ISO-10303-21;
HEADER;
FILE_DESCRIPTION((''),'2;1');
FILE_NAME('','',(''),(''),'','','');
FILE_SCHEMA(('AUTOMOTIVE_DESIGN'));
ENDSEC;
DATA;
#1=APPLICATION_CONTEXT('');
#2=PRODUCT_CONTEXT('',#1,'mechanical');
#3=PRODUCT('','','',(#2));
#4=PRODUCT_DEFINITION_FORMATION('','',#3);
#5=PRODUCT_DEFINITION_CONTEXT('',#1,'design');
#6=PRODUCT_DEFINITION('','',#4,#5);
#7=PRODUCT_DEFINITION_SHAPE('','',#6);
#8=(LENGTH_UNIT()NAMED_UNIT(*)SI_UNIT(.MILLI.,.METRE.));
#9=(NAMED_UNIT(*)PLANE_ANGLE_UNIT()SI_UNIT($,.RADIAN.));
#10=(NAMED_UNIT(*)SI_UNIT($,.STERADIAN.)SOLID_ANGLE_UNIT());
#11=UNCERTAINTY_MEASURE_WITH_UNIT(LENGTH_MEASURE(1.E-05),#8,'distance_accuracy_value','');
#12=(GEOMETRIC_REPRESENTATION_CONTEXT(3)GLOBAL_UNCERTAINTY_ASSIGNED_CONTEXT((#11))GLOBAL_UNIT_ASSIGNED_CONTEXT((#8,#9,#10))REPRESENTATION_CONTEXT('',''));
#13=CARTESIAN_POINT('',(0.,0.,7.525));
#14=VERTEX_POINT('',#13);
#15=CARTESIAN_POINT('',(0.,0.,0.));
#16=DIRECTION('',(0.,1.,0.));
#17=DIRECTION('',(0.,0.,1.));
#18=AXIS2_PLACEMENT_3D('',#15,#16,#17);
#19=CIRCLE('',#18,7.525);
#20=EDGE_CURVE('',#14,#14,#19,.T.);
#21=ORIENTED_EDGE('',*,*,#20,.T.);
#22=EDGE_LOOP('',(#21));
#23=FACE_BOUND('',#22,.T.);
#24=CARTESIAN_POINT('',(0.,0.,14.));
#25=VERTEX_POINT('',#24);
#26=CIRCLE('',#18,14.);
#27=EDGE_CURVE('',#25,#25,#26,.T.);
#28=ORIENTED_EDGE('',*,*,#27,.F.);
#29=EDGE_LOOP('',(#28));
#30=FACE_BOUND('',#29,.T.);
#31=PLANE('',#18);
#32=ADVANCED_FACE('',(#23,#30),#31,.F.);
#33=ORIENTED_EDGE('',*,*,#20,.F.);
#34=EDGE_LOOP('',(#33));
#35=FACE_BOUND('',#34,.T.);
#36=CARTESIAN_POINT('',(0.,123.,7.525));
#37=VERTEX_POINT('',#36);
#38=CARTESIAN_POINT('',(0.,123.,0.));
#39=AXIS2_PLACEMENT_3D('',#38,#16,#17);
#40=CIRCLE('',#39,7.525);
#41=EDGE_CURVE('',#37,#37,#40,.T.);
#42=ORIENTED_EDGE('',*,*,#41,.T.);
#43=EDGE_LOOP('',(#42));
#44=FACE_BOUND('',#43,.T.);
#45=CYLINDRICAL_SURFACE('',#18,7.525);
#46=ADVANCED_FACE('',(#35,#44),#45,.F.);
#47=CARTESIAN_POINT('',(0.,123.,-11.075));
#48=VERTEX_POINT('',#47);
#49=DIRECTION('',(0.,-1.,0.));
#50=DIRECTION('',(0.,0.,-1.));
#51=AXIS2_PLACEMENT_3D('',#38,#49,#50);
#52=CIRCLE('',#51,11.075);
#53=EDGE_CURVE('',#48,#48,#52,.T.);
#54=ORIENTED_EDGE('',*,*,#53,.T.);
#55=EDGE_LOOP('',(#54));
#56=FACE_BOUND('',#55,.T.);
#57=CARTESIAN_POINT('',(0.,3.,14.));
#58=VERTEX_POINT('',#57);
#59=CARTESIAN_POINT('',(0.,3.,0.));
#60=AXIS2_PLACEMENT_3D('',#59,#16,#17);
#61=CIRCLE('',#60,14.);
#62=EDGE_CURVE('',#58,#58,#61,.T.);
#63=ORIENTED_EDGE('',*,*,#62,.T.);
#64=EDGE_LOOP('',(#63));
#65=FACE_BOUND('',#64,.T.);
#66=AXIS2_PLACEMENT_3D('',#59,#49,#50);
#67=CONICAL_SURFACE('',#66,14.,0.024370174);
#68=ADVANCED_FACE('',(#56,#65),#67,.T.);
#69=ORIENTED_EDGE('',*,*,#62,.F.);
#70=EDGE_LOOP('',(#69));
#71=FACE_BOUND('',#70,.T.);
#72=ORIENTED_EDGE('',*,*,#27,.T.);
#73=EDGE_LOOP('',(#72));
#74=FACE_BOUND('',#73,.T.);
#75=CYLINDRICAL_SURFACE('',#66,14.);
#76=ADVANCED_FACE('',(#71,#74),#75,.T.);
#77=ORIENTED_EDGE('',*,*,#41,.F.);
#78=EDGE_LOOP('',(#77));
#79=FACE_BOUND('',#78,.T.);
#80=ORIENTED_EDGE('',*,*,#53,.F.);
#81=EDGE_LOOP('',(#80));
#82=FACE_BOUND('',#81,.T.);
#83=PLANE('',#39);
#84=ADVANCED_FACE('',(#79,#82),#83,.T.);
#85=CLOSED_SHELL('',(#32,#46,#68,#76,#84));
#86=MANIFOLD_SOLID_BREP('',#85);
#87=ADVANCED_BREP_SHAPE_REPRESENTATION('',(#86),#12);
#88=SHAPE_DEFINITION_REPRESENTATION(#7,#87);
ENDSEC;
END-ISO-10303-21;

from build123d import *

# Parameters (mm, degrees)
CROQUIS1_R              = 14
SALIENTE_EXTRUIR1_DEPTH = 3
CROQUIS2_R              = 11.075
SALIENTE_EXTRUIR2_DEPTH = 120
CROQUIS3_R              = 7.525
CORTAR_EXTRUIR2_DEPTH   = 125.583305463


with BuildPart() as part:
    # Croquis1 → Saliente-Extruir1 (new body)
    with BuildSketch(Plane(origin=(0, 0, 0), x_dir=(1, 0, 0), z_dir=(0, 1, 0))):
        with Locations(Location((0, 0, 0), (0, 0, 270))):
            Circle(CROQUIS1_R)
    extrude(amount=SALIENTE_EXTRUIR1_DEPTH)

    # Croquis2 → Saliente-Extruir2 (add)
    with BuildSketch(Plane(origin=(0, 3, 0), x_dir=(1, 0, 0), z_dir=(0, 1, 0))):
        with Locations(Location((0, 0, 0), (0, 0, 270))):
            Circle(CROQUIS2_R)
    extrude(amount=SALIENTE_EXTRUIR2_DEPTH)

    # Croquis3 → Cortar-Extruir2 (cut, through all)
    with BuildSketch(Plane(origin=(0, 123, 0), x_dir=(1, 0, 0), z_dir=(0, 1, 0))):
        with Locations(Location((0, 0, 0), (0, 0, 270))):
            Circle(CROQUIS3_R)
    extrude(amount=-CORTAR_EXTRUIR2_DEPTH, mode=Mode.SUBTRACT)

    # Croquis4 → Revolución1 (revolve)
    with BuildSketch(Plane.XY, mode=Mode.PRIVATE) as revoluci_n1_sk:
        Polygon((14, 3), (11.075, 3), (11.075, 123), align=None)
    revolve(revoluci_n1_sk.sketch.rotate(Axis((0, 0, 0), (0, 1, 0)), 90), axis=Axis((0, 0, 0), (0, 1, 0)))


solid = part.part
